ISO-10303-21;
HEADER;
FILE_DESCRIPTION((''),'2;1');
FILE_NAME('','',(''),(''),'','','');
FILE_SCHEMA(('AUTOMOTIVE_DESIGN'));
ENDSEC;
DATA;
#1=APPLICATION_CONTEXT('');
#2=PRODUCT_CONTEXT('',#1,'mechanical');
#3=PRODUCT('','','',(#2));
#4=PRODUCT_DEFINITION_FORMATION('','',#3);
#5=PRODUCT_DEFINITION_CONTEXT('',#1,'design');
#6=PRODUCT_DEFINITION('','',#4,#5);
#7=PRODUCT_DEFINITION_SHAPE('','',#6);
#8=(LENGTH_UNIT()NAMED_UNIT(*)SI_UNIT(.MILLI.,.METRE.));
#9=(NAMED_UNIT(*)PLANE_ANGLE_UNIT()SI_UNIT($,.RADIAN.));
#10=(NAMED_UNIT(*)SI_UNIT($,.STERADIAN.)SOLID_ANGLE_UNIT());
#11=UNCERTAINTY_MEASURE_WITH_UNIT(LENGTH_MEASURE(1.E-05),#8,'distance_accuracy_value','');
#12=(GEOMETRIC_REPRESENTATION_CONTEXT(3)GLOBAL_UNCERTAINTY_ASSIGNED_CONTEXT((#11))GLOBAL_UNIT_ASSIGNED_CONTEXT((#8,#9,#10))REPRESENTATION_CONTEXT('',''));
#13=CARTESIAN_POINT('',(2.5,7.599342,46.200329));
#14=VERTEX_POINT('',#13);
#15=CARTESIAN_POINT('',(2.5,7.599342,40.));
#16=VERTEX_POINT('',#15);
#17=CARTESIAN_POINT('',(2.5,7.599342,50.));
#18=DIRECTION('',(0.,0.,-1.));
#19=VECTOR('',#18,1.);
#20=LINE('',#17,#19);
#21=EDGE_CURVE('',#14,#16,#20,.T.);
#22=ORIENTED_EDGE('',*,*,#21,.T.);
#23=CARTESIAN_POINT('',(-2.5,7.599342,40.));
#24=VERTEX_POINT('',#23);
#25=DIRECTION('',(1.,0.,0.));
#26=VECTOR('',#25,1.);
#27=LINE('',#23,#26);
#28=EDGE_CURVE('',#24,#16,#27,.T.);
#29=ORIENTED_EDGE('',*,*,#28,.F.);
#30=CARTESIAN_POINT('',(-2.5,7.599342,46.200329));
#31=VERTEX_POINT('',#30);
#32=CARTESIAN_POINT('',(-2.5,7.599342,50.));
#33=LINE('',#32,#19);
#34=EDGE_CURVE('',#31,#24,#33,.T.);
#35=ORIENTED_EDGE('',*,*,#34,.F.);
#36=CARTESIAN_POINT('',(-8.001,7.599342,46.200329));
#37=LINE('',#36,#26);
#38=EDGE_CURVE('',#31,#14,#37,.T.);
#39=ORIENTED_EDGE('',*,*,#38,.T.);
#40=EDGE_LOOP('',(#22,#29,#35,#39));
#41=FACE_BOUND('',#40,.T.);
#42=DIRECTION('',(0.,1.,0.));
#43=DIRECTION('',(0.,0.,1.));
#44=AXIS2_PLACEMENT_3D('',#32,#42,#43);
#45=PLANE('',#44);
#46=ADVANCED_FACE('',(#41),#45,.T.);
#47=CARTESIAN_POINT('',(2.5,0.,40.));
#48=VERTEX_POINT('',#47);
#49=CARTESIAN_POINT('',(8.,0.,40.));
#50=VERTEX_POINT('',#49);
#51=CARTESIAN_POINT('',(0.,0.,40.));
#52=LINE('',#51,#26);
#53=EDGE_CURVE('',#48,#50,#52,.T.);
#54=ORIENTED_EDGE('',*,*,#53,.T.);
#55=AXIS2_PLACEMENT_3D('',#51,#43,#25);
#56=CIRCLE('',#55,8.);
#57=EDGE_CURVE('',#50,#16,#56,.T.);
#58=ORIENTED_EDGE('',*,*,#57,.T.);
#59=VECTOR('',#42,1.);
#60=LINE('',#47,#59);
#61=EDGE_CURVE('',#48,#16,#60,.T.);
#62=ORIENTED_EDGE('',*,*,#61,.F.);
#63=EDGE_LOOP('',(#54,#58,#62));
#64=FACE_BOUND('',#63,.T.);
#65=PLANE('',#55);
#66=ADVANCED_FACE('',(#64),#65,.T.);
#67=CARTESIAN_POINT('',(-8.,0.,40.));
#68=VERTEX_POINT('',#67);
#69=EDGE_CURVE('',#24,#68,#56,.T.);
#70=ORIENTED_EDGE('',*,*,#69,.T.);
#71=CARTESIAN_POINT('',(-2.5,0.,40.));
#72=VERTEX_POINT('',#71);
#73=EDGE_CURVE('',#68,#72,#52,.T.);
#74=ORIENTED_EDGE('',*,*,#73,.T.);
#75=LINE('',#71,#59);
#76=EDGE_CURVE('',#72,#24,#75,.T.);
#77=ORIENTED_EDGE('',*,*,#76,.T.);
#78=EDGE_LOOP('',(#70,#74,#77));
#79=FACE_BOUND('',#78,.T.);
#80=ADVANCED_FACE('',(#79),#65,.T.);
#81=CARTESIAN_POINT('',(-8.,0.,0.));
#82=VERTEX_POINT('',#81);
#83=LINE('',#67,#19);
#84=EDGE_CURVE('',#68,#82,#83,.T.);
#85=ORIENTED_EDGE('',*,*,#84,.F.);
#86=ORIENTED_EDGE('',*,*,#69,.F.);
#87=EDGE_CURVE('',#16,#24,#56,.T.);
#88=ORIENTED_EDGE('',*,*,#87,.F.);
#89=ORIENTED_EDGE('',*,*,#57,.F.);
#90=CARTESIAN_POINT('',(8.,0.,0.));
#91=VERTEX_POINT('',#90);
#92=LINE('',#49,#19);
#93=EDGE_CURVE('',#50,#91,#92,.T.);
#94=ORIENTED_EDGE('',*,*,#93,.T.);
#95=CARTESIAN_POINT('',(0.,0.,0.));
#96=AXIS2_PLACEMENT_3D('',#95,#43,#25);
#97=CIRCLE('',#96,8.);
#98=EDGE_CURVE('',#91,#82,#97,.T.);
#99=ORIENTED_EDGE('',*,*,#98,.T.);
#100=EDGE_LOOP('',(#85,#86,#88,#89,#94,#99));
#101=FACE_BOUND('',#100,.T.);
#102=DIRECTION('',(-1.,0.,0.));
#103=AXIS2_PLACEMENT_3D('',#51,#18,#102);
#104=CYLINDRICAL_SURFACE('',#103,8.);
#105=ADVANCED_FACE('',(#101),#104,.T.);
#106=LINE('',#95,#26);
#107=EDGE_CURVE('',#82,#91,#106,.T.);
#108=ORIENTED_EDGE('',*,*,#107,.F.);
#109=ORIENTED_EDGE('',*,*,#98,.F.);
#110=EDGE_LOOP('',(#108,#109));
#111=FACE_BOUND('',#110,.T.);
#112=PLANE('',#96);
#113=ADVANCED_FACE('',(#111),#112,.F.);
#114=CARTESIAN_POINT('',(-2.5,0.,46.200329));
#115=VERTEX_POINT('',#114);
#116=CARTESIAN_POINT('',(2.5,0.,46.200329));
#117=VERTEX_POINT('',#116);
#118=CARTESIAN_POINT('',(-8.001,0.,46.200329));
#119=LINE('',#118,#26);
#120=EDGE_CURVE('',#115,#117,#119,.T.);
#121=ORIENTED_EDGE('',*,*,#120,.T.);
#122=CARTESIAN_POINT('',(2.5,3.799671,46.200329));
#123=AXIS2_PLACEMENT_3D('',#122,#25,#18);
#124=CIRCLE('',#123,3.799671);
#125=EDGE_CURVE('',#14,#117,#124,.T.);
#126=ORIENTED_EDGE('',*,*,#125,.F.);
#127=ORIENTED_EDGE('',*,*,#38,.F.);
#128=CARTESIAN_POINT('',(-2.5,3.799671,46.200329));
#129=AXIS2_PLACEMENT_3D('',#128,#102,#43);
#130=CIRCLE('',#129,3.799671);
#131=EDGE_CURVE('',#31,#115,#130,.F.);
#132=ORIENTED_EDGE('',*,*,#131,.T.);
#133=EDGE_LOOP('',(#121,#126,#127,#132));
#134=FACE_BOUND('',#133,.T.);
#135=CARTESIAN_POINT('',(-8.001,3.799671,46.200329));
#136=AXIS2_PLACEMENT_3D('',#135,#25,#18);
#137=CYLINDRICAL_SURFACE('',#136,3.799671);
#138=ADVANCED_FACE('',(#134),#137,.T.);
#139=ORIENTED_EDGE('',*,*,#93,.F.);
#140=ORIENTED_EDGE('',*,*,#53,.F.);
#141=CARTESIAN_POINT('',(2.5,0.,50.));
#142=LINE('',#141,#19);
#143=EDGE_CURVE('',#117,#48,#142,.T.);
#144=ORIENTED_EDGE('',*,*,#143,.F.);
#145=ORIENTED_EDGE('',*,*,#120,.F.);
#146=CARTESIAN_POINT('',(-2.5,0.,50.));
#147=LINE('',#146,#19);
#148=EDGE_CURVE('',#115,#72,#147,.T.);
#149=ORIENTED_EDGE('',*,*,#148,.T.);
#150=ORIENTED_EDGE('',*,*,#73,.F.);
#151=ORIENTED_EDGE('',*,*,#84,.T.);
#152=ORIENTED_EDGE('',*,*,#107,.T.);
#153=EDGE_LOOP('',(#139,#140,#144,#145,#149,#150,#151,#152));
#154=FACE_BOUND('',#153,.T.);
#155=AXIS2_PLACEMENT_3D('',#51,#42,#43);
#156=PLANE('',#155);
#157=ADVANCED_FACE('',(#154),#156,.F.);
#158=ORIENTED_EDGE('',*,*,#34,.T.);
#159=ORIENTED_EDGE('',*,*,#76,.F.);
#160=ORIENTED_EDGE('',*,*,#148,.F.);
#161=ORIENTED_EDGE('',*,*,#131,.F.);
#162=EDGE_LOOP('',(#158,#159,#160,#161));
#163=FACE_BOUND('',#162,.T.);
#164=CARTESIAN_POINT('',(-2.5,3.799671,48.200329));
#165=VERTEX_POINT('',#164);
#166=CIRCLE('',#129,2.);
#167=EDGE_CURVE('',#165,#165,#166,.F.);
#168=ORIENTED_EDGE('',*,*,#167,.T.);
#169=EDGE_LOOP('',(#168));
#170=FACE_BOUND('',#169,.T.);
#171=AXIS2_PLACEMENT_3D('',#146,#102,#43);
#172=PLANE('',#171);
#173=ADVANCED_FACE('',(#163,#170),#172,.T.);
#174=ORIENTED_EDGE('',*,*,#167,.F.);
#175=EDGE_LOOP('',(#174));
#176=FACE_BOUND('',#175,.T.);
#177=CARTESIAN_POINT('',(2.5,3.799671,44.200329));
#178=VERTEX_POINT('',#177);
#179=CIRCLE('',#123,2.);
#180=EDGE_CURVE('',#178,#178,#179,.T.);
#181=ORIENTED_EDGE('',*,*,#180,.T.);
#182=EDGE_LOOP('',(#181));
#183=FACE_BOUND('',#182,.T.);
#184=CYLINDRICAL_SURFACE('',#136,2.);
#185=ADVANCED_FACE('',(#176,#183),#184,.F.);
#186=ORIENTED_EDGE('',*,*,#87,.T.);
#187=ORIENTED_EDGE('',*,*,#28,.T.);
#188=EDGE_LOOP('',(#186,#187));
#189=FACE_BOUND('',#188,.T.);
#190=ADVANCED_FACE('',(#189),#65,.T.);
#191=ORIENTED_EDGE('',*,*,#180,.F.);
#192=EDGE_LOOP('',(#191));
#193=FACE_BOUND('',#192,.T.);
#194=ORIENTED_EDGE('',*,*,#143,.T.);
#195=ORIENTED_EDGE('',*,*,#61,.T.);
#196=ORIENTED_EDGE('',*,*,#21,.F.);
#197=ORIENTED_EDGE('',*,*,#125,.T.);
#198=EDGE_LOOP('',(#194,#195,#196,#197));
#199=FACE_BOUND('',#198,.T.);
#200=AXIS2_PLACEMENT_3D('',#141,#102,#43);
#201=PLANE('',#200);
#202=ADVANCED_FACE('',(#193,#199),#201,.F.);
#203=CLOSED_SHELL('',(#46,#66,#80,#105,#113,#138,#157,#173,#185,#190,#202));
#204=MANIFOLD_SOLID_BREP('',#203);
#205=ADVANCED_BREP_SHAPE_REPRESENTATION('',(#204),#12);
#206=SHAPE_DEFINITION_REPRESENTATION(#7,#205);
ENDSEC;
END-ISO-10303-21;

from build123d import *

# Parameters (mm, degrees)
EXTRUDE_1_DEPTH     = 40
EXTRUDE_2_DEPTH     = 10
CUT_EXTRUDE_1_REACH = 53.713
CUT_EXTRUDE_2_REACH = 53.713


with BuildPart() as part:
    # 스케치1 → 보스-돌출1 (new body)
    with BuildSketch(Plane.XY):
        with BuildLine():
            ThreePointArc((8, 0), (0, 8), (-8, 0))
            Line((-8, 0), (-4, 0))
            ThreePointArc((-4, 0), (0, 4), (4, 0))
            Line((4, 0), (8, 0))
        make_face()
        with BuildLine():
            ThreePointArc((4, 0), (0, 4), (-4, 0))
            Line((-4, 0), (4, 0))
        make_face()
    extrude(amount=EXTRUDE_1_DEPTH)

    # 스케치6 → 보스-돌출2 (add)
    with BuildSketch(Plane.XY.offset(40)):
        Polygon((0, 0), (2.5, 0), (2.5, 7.599342077), (-2.5, 7.599342077), (-2.5, 0), align=None)
    extrude(amount=EXTRUDE_2_DEPTH)

    # 스케치8 → 컷-돌출1 (cut, up to next)
    with BuildSketch(Plane(origin=(2.5, 0, 0), x_dir=(0, 0, -1), z_dir=(1, 0, 0)), mode=Mode.PRIVATE) as cut_extrude_1_sk1:
        with BuildLine():
            Line((-50, 7.599342077), (-50, 3.799671038))
            ThreePointArc((-50, 3.799671038), (-48.887102119, 6.486444196), (-46.200328962, 7.599342077))
            Line((-46.200328962, 7.599342077), (-50, 7.599342077))
        make_face()
    cut_extrude_1_tool1 = extrude(cut_extrude_1_sk1.sketch, amount=-CUT_EXTRUDE_1_REACH, mode=Mode.PRIVATE) & part.part
    # 스케치8 → 컷-돌출1 (cut, up to next)
    with BuildSketch(Plane(origin=(2.5, 0, 0), x_dir=(0, 0, -1), z_dir=(1, 0, 0)), mode=Mode.PRIVATE) as cut_extrude_1_sk2:
        with BuildLine():
            ThreePointArc((-46.200328962, 0), (-48.887102119, 1.112897881), (-50, 3.799671038))
            Line((-50, 3.799671038), (-50, 0))
            Line((-50, 0), (-46.200328962, 0))
        make_face()
    cut_extrude_1_tool2 = extrude(cut_extrude_1_sk2.sketch, amount=-CUT_EXTRUDE_1_REACH, mode=Mode.PRIVATE) & part.part
    add(cut_extrude_1_tool1.solids().sort_by_distance((2.5, 6.750617, 49.151275))[0], mode=Mode.SUBTRACT)
    add(cut_extrude_1_tool2.solids().sort_by_distance((2.5, 0.848725, 49.151275))[0], mode=Mode.SUBTRACT)

    # 스케치8<4> → 컷-돌출2 (cut, up to next)
    with BuildSketch(Plane(origin=(2.5, 0, 0), x_dir=(0, 0, -1), z_dir=(1, 0, 0)), mode=Mode.PRIVATE) as cut_extrude_2_sk1:
        with BuildLine():
            ThreePointArc((-48.200328962, 3.799671038), (-46.200328962, 1.799671038), (-44.200328962, 3.799671038))
            Line((-44.200328962, 3.799671038), (-48.200328962, 3.799671038))
        make_face()
    cut_extrude_2_tool1 = extrude(cut_extrude_2_sk1.sketch, amount=-CUT_EXTRUDE_2_REACH, mode=Mode.PRIVATE) & part.part
    # 스케치8<4> → 컷-돌출2 (cut, up to next)
    with BuildSketch(Plane(origin=(2.5, 0, 0), x_dir=(0, 0, -1), z_dir=(1, 0, 0)), mode=Mode.PRIVATE) as cut_extrude_2_sk2:
        with BuildLine():
            Line((-48.200328962, 3.799671038), (-44.200328962, 3.799671038))
            ThreePointArc((-44.200328962, 3.799671038), (-46.200328962, 5.799671038), (-48.200328962, 3.799671038))
        make_face()
    cut_extrude_2_tool2 = extrude(cut_extrude_2_sk2.sketch, amount=-CUT_EXTRUDE_2_REACH, mode=Mode.PRIVATE) & part.part
    # 스케치8<4> → 컷-돌출2 (cut, up to next)
    with BuildSketch(Plane(origin=(2.5, 0, 0), x_dir=(0, 0, -1), z_dir=(1, 0, 0)), mode=Mode.PRIVATE) as cut_extrude_2_sk3:
        with BuildLine():
            ThreePointArc((-48.200328962, 3.799671038), (-46.200328962, 1.799671038), (-44.200328962, 3.799671038))
            Line((-44.200328962, 3.799671038), (-48.200328962, 3.799671038))
        make_face()
    cut_extrude_2_tool3 = extrude(cut_extrude_2_sk3.sketch, amount=-CUT_EXTRUDE_2_REACH, mode=Mode.PRIVATE) & part.part
    # 스케치8<4> → 컷-돌출2 (cut, up to next)
    with BuildSketch(Plane(origin=(2.5, 0, 0), x_dir=(0, 0, -1), z_dir=(1, 0, 0)), mode=Mode.PRIVATE) as cut_extrude_2_sk4:
        with BuildLine():
            Line((-48.200328962, 3.799671038), (-44.200328962, 3.799671038))
            ThreePointArc((-44.200328962, 3.799671038), (-46.200328962, 5.799671038), (-48.200328962, 3.799671038))
        make_face()
    cut_extrude_2_tool4 = extrude(cut_extrude_2_sk4.sketch, amount=-CUT_EXTRUDE_2_REACH, mode=Mode.PRIVATE) & part.part
    add(cut_extrude_2_tool1.solids().sort_by_distance((2.5, 2.950845, 46.200329))[0], mode=Mode.SUBTRACT)
    add(cut_extrude_2_tool2.solids().sort_by_distance((2.5, 4.648497, 46.200329))[0], mode=Mode.SUBTRACT)
    add(cut_extrude_2_tool3.solids().sort_by_distance((2.5, 2.950845, 46.200329))[0], mode=Mode.SUBTRACT)
    add(cut_extrude_2_tool4.solids().sort_by_distance((2.5, 4.648497, 46.200329))[0], mode=Mode.SUBTRACT)


solid = part.part
